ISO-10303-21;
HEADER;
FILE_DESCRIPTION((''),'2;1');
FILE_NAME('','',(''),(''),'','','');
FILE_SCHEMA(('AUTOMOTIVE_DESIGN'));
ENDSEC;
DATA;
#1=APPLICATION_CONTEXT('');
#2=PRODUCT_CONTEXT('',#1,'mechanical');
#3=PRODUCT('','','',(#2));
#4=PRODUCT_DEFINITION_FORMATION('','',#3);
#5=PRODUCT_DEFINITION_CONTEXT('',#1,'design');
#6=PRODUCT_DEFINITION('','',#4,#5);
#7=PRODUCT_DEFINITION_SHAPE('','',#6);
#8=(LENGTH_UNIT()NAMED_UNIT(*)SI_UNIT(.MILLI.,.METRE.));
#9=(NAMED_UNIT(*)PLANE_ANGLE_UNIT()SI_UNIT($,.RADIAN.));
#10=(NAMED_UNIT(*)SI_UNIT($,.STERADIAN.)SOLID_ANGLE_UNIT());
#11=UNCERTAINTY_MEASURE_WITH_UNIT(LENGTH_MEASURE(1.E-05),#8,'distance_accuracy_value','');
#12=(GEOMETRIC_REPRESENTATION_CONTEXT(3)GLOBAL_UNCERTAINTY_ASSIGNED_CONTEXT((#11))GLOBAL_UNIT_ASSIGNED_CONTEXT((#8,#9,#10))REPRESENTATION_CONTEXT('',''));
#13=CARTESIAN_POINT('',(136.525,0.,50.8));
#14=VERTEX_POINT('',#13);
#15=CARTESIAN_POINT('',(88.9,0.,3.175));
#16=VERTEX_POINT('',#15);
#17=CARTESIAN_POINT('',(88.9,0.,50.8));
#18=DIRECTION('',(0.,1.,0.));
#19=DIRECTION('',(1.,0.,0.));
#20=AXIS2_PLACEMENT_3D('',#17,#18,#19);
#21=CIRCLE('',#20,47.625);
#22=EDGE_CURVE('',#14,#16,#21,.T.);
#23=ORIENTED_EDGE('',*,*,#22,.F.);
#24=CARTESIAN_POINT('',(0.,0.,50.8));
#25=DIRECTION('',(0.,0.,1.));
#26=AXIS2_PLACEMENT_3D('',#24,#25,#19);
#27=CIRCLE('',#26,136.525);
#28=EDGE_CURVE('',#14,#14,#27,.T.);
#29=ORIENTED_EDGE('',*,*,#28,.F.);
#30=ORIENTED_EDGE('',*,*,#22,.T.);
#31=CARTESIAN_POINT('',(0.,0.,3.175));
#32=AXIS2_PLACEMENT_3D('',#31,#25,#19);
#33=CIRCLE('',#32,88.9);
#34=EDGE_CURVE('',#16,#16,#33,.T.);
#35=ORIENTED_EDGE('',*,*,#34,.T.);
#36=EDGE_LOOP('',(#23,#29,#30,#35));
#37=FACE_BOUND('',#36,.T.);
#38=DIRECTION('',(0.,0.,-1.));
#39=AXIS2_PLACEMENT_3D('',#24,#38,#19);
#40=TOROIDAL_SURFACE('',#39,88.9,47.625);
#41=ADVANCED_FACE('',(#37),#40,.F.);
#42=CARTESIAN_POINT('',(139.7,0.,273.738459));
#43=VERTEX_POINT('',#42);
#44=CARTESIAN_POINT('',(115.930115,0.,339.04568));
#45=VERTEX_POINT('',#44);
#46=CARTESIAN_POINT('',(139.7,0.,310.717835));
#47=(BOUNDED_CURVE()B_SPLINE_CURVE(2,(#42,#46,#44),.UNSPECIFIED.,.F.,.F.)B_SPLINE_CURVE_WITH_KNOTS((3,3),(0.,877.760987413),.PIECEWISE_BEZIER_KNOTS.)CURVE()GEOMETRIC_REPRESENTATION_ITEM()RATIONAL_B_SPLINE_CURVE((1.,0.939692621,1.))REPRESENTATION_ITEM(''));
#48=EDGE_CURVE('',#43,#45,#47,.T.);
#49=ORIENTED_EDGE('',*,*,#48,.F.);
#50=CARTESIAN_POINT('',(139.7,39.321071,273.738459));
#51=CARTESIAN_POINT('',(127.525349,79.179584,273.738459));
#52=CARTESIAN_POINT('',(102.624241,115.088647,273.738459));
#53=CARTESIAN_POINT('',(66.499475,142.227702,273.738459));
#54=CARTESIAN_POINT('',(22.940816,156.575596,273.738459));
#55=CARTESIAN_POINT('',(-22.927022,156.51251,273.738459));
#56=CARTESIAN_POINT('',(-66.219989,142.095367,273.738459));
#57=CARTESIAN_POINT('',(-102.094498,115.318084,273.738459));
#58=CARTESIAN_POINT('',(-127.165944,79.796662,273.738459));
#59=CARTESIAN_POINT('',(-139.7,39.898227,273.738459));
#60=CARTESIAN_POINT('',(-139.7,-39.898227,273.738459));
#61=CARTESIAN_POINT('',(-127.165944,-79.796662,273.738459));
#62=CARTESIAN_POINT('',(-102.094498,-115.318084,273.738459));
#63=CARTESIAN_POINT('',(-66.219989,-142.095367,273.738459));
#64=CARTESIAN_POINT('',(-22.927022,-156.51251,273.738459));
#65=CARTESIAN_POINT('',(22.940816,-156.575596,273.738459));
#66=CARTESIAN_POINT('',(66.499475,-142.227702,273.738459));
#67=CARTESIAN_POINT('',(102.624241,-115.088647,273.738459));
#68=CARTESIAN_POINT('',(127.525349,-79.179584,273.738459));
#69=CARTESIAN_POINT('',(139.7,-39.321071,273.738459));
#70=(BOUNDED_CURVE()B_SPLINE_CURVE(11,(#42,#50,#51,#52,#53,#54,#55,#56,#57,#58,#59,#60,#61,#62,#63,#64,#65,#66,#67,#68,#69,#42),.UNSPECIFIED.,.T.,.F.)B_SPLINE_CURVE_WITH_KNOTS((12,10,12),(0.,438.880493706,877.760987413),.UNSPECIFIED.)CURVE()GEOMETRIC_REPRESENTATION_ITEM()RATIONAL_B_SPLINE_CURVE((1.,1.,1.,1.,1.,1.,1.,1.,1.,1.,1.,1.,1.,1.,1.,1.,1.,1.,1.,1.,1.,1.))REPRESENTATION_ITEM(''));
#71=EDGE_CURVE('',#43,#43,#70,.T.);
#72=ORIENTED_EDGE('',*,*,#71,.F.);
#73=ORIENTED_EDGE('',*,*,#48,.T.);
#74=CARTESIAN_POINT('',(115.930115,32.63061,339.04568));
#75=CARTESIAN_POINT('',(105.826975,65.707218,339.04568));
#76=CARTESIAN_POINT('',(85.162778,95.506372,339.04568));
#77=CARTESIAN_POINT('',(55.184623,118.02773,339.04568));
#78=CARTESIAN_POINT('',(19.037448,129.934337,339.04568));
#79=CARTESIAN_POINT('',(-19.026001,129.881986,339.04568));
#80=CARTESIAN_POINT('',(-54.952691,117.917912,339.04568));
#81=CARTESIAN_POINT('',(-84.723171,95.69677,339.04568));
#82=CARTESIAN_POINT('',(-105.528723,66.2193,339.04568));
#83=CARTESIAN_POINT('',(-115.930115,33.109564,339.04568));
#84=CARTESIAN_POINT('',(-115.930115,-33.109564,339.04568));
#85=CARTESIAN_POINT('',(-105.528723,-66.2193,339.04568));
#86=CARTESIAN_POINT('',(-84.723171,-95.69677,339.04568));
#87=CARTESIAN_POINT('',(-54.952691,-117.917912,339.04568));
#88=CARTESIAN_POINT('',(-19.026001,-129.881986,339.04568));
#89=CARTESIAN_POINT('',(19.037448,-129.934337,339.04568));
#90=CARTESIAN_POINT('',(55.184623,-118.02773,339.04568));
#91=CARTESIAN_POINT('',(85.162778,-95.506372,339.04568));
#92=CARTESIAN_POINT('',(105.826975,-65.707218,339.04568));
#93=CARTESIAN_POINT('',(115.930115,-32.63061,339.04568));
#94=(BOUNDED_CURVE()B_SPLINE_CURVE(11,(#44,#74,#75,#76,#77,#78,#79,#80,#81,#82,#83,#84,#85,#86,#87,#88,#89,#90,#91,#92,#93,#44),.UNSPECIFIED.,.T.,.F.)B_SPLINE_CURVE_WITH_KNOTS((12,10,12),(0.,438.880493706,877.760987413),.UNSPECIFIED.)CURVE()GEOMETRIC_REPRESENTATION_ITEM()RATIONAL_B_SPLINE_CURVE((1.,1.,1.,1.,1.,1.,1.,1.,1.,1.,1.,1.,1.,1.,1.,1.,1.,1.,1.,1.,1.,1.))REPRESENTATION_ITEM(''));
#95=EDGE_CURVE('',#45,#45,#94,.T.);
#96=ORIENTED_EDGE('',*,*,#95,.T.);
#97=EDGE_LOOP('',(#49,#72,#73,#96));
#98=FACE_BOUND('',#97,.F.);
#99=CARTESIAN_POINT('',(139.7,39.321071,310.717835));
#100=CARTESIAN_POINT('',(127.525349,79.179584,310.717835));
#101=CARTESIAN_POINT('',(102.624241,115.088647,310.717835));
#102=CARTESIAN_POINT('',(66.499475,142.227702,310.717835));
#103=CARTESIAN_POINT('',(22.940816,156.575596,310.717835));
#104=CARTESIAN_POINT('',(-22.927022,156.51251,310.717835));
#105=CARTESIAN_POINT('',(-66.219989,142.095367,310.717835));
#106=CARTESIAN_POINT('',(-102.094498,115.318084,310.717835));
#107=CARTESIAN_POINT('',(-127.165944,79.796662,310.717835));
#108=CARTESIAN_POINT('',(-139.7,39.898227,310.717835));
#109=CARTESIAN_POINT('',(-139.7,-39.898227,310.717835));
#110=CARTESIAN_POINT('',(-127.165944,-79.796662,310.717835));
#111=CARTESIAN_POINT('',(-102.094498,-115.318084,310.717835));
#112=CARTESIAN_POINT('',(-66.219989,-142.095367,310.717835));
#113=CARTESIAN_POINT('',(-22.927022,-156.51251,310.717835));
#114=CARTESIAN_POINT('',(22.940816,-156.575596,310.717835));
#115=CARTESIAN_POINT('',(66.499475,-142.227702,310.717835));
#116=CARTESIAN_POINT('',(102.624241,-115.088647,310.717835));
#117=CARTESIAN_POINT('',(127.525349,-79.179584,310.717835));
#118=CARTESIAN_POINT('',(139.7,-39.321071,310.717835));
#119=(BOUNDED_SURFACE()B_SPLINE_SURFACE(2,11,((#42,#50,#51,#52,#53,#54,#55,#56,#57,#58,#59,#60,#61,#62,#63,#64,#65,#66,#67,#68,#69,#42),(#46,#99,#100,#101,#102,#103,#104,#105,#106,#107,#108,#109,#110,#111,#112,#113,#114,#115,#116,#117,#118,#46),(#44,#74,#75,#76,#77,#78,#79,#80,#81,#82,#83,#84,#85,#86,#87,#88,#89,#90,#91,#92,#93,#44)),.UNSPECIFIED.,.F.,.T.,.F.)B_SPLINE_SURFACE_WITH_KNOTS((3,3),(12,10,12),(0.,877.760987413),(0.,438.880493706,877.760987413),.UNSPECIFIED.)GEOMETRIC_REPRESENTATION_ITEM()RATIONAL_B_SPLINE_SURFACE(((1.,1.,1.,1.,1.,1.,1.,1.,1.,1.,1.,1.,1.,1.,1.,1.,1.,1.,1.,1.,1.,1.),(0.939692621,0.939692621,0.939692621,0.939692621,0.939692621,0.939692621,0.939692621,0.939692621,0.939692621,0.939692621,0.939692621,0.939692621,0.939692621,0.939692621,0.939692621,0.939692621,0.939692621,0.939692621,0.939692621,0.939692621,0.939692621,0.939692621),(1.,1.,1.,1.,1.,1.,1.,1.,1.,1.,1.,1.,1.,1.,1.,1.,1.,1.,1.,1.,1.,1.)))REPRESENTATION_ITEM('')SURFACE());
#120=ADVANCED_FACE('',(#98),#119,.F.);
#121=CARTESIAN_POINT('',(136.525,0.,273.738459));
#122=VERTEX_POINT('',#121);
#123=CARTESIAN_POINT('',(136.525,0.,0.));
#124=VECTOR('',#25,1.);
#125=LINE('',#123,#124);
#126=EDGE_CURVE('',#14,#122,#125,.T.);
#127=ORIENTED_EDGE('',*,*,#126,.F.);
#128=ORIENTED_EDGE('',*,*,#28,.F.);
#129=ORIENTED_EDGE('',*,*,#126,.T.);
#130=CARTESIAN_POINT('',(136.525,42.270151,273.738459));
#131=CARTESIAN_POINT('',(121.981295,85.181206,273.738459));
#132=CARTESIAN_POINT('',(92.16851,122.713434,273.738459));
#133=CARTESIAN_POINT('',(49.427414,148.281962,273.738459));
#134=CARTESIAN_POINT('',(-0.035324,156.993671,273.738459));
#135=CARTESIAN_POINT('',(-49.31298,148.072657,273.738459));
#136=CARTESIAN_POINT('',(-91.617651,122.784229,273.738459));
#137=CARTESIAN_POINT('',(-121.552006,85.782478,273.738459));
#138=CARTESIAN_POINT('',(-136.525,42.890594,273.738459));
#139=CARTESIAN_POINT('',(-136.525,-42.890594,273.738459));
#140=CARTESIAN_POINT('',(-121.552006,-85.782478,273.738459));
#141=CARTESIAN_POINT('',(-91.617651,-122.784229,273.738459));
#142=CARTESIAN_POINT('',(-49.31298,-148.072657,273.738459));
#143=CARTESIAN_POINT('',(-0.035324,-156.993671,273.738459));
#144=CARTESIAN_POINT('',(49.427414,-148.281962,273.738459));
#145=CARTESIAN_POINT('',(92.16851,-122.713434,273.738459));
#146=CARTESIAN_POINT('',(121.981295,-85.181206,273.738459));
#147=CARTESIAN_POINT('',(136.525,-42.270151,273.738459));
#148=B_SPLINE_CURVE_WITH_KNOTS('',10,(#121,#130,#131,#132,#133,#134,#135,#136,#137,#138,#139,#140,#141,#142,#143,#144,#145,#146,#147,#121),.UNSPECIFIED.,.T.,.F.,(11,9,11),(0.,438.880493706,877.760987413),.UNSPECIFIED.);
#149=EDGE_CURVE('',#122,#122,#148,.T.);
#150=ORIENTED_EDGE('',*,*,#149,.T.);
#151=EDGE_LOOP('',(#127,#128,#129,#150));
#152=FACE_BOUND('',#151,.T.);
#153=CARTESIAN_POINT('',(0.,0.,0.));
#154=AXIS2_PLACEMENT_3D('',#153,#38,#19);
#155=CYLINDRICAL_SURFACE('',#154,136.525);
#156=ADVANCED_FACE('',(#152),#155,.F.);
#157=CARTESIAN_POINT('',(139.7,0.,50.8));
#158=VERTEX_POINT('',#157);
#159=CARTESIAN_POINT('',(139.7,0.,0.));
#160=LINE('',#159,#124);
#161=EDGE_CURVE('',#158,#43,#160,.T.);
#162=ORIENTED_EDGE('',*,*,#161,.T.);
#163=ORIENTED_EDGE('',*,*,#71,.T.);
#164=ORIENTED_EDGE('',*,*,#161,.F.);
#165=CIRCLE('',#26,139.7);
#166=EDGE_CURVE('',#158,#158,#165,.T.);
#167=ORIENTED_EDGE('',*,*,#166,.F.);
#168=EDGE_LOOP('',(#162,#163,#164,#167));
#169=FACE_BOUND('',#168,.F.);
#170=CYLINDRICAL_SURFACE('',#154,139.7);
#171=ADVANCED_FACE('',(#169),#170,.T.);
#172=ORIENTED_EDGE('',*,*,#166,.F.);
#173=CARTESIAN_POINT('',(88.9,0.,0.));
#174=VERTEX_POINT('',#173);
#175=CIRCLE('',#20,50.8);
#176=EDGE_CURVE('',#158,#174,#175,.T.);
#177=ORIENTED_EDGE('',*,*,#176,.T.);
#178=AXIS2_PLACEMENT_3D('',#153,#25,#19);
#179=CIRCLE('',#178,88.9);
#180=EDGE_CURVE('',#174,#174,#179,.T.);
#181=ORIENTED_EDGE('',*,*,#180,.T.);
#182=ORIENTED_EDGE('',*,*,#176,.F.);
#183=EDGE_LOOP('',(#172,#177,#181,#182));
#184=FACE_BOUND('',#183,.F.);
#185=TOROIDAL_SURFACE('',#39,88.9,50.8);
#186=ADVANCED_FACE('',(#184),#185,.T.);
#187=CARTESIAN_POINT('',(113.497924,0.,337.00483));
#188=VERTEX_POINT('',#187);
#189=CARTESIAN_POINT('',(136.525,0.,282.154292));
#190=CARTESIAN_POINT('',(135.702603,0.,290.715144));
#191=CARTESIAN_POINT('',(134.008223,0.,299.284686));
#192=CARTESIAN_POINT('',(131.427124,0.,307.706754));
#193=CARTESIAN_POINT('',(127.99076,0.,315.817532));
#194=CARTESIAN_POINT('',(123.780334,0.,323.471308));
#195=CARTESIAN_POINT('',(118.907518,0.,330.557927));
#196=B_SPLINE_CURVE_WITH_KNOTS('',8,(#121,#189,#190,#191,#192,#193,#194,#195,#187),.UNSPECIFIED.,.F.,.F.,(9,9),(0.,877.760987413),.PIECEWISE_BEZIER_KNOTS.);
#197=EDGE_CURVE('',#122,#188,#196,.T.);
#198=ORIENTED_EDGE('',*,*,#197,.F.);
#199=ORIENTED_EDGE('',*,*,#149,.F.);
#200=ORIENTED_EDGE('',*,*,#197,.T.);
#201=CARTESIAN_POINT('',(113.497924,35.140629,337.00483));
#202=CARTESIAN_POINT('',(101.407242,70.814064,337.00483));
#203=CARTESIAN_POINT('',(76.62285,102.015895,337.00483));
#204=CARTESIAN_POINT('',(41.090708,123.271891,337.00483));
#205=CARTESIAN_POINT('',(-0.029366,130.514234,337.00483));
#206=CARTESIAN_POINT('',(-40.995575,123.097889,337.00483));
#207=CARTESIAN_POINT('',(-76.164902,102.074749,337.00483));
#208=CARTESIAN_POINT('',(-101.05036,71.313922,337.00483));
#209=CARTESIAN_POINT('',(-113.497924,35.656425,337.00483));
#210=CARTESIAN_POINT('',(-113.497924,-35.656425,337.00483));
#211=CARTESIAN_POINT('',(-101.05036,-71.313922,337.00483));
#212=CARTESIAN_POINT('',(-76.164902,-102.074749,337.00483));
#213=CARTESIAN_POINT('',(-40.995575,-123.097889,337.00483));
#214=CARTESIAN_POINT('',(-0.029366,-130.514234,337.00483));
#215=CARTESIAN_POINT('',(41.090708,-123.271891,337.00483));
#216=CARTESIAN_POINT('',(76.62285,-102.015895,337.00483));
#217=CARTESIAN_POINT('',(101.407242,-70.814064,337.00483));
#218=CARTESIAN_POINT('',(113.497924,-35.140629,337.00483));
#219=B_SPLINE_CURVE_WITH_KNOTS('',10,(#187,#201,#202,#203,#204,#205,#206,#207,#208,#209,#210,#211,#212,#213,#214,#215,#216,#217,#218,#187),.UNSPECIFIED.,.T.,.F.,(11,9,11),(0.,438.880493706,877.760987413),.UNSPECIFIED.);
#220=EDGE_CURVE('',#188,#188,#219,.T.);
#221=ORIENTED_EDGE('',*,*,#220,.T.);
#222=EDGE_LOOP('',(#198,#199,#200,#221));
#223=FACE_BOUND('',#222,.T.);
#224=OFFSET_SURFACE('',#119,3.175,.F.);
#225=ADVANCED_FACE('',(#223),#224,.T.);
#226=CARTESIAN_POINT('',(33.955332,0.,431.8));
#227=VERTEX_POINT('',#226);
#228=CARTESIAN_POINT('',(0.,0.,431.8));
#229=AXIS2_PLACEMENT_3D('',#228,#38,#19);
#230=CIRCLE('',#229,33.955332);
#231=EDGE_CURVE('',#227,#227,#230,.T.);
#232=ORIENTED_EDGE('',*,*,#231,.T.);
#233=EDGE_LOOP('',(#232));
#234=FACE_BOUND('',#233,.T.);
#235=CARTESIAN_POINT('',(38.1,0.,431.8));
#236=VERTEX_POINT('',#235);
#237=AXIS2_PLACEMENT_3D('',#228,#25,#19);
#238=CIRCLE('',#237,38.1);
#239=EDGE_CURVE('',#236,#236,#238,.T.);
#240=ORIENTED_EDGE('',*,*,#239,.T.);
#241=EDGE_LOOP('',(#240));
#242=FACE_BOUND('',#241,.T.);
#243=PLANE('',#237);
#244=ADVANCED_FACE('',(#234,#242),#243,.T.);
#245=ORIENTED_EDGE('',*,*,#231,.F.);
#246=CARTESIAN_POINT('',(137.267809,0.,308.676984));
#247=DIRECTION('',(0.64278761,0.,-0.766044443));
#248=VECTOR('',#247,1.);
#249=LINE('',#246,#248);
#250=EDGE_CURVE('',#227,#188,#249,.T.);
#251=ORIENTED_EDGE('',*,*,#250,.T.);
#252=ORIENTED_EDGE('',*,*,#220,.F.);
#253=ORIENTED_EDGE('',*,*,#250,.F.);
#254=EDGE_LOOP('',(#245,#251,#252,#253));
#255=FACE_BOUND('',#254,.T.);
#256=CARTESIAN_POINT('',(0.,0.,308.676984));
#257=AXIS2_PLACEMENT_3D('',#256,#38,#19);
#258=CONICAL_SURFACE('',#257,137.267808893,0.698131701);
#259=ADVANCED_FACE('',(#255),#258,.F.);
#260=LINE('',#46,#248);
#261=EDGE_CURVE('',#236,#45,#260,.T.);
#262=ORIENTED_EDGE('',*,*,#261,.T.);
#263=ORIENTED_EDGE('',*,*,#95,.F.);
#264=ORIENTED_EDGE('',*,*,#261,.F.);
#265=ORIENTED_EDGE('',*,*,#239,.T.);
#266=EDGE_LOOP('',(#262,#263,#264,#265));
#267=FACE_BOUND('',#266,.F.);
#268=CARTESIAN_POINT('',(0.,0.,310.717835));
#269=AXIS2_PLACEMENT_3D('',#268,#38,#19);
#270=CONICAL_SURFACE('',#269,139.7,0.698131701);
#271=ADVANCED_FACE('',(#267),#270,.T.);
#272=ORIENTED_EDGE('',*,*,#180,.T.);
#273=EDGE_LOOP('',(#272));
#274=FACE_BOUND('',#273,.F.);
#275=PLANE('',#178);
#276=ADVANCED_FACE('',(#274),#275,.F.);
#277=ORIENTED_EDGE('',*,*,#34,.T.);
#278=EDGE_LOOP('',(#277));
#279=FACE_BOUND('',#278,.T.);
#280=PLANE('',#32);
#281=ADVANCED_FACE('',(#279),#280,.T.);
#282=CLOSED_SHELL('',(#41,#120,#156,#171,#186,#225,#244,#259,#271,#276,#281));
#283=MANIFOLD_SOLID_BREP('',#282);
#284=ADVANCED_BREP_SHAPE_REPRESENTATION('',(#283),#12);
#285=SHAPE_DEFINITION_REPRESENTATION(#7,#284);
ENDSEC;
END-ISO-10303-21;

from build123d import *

# Parameters (mm, degrees)
F0_R     = 139.7
F1_DEPTH = 431.8
F2_R     = 50.8
F3_SIZE2 = 121.0821650076
F3_SIZE  = 101.6
F4_R     = 101.6
F5_T     = -3.175


with BuildPart() as f1:
    # F0 (on Top) → F1 (new body)
    with BuildSketch(Plane.XY):
        Circle(F0_R)
    extrude(amount=F1_DEPTH)

    # F2
    f2_edges = [f1.edges().sort_by_distance(p)[0] for p in [
        (-139.7, 0, 0),
    ]]
    fillet(f2_edges, radius=F2_R)

    # F3
    f3_edges = [f1.edges().sort_by_distance(p)[0] for p in [
        (-139.7, 0, 431.8),
    ]]
    f3_side = f1.faces().sort_by_distance((0, 0, 431.8))[0]
    chamfer(f3_edges, length=F3_SIZE, length2=F3_SIZE2, reference=f3_side)

    # F4
    f4_edges = [f1.edges().sort_by_distance(p)[0] for p in [
        (-139.7, 0, 310.717835),
    ]]
    fillet(f4_edges, radius=F4_R)

    # F5
    f5_openings = [f1.faces().sort_by_distance(p)[0] for p in [
        (0, 0, 431.8),
    ]]
    offset(amount=F5_T, openings=f5_openings)


solid = f1.part
